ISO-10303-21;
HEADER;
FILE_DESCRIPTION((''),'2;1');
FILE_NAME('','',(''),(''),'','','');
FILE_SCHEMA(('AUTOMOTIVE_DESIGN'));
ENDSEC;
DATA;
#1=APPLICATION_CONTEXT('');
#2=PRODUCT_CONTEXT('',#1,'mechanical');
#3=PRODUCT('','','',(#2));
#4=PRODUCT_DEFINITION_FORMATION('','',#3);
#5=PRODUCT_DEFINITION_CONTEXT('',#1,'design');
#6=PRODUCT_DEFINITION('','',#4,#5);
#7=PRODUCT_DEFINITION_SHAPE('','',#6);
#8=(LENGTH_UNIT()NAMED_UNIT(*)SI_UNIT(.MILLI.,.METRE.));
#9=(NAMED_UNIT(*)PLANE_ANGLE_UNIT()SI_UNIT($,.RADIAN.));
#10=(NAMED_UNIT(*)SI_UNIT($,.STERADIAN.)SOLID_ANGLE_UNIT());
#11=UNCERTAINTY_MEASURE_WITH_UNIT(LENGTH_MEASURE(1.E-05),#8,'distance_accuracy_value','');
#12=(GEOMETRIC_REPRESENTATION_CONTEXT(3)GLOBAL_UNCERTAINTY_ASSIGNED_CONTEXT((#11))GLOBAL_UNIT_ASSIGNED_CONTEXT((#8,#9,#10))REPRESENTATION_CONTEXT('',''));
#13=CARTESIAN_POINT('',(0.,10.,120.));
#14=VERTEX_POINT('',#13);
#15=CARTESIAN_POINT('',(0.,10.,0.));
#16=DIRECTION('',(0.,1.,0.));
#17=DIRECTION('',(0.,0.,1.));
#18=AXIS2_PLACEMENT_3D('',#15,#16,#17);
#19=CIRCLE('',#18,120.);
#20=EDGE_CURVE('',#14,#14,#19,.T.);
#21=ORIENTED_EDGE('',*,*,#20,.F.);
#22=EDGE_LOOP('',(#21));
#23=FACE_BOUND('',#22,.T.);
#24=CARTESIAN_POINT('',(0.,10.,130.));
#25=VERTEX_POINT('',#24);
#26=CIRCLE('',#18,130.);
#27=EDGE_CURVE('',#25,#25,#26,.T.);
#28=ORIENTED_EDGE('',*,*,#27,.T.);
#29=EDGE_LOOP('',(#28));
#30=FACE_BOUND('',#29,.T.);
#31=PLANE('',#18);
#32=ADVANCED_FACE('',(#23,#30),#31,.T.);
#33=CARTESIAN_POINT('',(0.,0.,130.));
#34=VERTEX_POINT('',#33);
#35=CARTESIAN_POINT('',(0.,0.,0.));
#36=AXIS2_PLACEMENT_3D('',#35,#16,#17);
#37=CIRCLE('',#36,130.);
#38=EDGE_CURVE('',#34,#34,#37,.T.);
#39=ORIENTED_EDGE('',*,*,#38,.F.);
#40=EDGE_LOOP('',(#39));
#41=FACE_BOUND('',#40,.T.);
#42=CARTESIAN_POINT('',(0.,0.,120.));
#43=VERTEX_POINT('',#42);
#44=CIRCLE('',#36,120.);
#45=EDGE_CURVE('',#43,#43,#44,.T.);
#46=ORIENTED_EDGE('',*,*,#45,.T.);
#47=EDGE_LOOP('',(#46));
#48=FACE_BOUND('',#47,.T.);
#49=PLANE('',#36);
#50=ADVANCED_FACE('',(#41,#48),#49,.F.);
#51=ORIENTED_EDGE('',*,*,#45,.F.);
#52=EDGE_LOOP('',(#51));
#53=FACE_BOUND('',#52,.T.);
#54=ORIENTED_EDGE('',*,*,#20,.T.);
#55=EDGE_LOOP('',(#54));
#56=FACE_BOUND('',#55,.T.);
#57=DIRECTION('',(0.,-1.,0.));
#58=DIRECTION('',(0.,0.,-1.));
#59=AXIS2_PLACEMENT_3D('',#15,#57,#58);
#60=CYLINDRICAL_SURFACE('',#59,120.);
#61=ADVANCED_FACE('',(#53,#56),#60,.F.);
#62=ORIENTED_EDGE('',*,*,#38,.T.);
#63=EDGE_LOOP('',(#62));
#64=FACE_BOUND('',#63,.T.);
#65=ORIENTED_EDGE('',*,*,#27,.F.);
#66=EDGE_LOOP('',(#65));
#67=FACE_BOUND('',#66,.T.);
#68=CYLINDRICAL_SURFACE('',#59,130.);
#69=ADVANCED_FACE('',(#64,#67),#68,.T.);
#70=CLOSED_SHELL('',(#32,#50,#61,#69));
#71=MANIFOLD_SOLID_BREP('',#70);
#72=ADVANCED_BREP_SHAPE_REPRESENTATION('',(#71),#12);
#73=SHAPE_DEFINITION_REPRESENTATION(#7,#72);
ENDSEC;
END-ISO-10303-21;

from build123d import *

# Parameters (mm, degrees)
IZIM1_R                     = 130
IZIM1_R_2                   = 120
Y_KSEKLIK_EKSTR_ZYON1_DEPTH = 10


with BuildPart() as part:
    # Çizim1 → Yükseklik-Ekstrüzyon1 (new body)
    with BuildSketch(Plane(origin=(0, 0, 0), x_dir=(1, 0, 0), z_dir=(0, 1, 0))):
        with Locations(Location((0, 0, 0), (0, 0, 270))):
            Circle(IZIM1_R)
        with Locations(Location((0, 0, 0), (0, 0, 270))):
            Circle(IZIM1_R_2, mode=Mode.SUBTRACT)
    extrude(amount=Y_KSEKLIK_EKSTR_ZYON1_DEPTH)


solid = part.part
